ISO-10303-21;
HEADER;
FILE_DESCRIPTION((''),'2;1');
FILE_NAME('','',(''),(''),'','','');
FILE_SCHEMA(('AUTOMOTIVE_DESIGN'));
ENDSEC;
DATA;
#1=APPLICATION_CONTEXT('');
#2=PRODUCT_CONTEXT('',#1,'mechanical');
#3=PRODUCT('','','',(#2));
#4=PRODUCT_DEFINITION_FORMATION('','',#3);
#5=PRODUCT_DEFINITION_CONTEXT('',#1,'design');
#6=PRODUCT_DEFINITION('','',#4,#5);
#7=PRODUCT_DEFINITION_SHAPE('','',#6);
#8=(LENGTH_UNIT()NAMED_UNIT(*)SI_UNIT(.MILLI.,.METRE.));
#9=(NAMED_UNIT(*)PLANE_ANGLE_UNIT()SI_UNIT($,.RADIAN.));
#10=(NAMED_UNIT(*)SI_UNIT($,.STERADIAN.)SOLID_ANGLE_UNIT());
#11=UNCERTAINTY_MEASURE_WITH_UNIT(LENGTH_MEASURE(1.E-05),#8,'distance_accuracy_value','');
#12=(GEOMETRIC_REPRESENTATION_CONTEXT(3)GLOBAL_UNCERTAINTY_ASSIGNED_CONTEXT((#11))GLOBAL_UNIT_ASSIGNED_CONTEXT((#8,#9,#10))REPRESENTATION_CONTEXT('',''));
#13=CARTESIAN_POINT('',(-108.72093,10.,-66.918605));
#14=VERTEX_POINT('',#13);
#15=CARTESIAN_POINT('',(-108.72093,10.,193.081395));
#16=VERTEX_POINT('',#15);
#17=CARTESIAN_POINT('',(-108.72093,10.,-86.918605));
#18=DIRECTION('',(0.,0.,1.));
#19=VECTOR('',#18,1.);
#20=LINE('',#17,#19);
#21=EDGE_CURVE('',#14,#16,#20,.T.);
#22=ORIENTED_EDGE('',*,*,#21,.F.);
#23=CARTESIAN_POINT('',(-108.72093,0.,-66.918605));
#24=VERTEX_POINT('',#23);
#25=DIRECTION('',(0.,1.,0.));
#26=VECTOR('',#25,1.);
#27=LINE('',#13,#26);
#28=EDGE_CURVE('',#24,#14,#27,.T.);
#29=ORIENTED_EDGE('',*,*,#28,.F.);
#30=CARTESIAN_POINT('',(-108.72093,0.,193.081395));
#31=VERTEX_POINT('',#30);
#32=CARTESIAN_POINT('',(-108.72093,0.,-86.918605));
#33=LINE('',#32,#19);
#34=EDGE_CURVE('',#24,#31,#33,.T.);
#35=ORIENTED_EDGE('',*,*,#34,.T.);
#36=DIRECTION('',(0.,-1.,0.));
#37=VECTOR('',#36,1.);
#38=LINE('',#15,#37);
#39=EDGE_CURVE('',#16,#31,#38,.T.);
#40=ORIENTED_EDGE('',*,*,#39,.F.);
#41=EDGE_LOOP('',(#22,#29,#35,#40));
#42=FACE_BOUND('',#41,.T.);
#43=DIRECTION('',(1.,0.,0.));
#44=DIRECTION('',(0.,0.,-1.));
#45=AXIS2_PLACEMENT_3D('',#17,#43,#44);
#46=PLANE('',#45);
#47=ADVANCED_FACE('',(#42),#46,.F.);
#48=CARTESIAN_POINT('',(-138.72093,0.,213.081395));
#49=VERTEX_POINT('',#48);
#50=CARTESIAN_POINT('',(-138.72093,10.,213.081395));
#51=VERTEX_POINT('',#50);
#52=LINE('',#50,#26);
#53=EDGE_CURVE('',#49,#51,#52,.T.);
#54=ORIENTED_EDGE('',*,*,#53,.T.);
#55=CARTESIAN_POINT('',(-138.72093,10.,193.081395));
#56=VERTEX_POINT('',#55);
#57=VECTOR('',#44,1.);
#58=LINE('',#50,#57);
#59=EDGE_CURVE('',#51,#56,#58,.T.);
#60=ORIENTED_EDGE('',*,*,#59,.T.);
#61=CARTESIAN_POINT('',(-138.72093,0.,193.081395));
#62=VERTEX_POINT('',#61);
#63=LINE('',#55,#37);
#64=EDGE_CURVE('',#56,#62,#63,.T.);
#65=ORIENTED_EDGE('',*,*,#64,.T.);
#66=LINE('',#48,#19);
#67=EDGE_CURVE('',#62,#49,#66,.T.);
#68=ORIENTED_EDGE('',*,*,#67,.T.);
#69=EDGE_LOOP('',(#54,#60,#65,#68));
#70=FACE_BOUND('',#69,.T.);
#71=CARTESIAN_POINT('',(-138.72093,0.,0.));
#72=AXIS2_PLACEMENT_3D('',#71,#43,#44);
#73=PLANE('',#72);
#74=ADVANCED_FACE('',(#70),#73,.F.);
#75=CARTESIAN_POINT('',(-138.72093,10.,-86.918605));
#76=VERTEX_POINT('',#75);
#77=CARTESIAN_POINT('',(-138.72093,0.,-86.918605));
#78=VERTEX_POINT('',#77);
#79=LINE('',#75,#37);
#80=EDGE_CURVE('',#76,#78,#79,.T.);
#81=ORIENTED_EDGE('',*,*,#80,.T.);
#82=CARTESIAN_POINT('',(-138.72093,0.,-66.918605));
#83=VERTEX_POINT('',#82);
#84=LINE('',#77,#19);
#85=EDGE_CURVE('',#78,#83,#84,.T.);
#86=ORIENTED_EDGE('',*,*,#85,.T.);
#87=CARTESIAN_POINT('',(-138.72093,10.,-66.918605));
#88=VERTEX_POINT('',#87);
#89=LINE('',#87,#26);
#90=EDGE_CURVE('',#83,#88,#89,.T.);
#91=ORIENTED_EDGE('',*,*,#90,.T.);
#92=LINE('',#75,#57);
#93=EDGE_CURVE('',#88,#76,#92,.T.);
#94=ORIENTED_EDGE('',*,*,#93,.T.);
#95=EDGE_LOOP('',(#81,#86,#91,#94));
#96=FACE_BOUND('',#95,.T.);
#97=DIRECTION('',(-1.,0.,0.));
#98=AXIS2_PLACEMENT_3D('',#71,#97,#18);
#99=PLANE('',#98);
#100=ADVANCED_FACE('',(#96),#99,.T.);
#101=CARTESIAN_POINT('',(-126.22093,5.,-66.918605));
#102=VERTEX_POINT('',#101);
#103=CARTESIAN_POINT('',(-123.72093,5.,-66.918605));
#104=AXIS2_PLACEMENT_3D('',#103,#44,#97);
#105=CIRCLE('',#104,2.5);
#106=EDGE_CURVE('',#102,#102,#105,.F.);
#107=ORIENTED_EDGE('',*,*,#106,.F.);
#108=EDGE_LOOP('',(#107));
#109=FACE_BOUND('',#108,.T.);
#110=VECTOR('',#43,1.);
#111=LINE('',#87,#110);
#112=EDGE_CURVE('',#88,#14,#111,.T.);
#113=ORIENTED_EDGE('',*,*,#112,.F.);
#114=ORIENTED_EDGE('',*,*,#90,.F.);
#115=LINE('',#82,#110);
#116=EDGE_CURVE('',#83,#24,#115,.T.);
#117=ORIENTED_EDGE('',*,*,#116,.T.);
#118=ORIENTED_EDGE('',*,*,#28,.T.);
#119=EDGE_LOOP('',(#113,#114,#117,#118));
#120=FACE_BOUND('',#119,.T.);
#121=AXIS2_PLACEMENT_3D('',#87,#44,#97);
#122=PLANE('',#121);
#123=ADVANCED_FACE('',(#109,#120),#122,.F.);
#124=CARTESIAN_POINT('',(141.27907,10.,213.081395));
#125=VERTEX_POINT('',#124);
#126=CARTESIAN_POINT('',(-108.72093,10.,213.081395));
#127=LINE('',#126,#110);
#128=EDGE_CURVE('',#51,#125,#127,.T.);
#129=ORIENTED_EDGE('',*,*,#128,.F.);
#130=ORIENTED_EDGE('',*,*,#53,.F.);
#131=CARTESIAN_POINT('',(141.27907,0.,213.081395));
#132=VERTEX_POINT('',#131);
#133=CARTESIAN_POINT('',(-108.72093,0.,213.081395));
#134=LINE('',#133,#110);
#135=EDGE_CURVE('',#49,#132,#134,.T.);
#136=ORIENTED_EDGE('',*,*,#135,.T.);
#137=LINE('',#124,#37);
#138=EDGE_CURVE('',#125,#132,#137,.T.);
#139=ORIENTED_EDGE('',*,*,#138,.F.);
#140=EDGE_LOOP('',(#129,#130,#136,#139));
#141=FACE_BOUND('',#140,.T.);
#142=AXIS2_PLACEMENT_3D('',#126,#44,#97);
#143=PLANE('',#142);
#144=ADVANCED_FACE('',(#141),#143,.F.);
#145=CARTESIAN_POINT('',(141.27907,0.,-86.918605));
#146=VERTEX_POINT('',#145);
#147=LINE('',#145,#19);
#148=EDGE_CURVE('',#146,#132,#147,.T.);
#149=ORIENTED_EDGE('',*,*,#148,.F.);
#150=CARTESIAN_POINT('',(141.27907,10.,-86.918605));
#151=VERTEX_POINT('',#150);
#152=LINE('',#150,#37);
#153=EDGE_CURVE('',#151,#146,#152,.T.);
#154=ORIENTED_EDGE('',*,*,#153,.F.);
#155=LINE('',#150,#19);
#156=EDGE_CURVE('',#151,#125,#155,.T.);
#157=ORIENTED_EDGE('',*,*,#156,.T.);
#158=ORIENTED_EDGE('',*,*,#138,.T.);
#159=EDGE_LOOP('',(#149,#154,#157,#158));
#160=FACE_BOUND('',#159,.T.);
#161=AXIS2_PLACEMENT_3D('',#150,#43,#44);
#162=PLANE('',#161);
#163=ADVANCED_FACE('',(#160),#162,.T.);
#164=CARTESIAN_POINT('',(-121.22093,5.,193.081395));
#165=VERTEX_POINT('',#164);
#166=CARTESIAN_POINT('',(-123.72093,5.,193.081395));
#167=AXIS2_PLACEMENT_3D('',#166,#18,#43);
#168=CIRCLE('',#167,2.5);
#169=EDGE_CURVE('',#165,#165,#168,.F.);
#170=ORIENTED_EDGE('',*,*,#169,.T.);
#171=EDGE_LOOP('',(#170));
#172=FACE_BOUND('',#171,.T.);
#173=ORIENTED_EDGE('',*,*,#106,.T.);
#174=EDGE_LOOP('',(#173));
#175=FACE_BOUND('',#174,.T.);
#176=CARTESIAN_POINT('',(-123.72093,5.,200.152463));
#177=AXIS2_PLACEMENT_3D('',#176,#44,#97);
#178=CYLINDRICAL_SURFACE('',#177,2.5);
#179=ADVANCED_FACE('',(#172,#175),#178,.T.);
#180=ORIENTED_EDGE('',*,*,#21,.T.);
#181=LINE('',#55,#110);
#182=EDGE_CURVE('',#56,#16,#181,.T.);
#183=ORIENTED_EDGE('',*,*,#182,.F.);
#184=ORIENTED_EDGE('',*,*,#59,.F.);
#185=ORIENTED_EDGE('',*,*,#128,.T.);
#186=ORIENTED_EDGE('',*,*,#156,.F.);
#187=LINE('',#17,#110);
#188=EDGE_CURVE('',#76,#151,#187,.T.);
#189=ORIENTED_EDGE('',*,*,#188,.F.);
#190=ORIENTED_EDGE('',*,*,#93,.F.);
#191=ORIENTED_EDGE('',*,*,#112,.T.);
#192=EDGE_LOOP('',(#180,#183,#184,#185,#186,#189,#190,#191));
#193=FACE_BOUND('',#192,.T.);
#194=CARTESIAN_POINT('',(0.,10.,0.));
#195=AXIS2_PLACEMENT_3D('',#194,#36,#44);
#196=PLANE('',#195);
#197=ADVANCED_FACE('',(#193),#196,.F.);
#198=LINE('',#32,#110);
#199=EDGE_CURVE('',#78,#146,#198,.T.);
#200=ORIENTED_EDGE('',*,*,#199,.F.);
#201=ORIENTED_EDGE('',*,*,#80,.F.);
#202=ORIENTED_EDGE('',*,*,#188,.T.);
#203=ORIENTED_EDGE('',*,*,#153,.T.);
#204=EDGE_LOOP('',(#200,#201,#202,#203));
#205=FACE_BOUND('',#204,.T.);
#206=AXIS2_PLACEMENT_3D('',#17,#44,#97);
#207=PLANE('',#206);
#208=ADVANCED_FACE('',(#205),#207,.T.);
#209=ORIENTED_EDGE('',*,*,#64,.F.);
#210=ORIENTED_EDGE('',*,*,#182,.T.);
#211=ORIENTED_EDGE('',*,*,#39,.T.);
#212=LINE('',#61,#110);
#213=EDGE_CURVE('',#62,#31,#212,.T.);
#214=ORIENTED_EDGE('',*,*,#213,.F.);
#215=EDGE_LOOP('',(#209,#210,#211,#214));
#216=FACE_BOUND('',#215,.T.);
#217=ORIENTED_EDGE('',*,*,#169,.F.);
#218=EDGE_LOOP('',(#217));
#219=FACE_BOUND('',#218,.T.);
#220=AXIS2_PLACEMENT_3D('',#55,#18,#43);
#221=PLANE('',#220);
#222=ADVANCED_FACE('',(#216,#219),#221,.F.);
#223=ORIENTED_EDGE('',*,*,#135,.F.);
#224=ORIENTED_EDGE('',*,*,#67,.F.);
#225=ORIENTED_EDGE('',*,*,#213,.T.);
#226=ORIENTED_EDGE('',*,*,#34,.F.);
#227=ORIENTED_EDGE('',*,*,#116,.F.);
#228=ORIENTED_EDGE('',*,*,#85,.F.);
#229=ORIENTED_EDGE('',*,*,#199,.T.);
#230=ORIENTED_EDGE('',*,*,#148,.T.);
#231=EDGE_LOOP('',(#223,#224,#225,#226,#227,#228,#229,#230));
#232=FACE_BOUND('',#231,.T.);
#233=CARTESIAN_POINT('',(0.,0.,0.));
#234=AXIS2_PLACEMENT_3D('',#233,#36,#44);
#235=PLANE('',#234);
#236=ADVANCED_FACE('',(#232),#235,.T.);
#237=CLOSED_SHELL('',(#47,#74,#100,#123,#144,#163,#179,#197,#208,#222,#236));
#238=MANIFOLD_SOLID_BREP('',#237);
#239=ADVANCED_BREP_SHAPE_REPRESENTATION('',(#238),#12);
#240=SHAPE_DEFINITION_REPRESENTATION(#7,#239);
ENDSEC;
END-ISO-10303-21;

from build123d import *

# Parameters (mm, degrees)
SKETCH1_W           = 250
SKETCH1_H           = 300
BOSS_EXTRUDE1_DEPTH = 10
SKETCH2_W           = 20
SKETCH2_H           = 10
BOSS_EXTRUDE2_DEPTH = 30
SKETCH3_R           = 2.5
BOSS_EXTRUDE3_DEPTH = 260


with BuildPart() as part:
    # Sketch1 → Boss-Extrude1 (new body)
    with BuildSketch(Plane(origin=(0, 0, 0), x_dir=(1, 0, 0), z_dir=(0, 1, 0))):
        with Locations((16.279069767, -63.081395349)):
            Rectangle(SKETCH1_W, SKETCH1_H)
    extrude(amount=BOSS_EXTRUDE1_DEPTH)

    # Sketch2 → Boss-Extrude2 (add)
    with BuildSketch(Plane.ZY.offset(108.720930233)):
        with Locations((-76.918604651, 5)):
            Rectangle(SKETCH2_W, SKETCH2_H)
        with Locations((203.081395349, 5)):
            Rectangle(SKETCH2_W, SKETCH2_H)
    extrude(amount=BOSS_EXTRUDE2_DEPTH)

    # Sketch3 → Boss-Extrude3 (add)
    with BuildSketch(Plane.XY.offset(-66.918604651)):
        with Locations((-123.720930233, 5)):
            Circle(SKETCH3_R)
    extrude(amount=BOSS_EXTRUDE3_DEPTH)


solid = part.part
